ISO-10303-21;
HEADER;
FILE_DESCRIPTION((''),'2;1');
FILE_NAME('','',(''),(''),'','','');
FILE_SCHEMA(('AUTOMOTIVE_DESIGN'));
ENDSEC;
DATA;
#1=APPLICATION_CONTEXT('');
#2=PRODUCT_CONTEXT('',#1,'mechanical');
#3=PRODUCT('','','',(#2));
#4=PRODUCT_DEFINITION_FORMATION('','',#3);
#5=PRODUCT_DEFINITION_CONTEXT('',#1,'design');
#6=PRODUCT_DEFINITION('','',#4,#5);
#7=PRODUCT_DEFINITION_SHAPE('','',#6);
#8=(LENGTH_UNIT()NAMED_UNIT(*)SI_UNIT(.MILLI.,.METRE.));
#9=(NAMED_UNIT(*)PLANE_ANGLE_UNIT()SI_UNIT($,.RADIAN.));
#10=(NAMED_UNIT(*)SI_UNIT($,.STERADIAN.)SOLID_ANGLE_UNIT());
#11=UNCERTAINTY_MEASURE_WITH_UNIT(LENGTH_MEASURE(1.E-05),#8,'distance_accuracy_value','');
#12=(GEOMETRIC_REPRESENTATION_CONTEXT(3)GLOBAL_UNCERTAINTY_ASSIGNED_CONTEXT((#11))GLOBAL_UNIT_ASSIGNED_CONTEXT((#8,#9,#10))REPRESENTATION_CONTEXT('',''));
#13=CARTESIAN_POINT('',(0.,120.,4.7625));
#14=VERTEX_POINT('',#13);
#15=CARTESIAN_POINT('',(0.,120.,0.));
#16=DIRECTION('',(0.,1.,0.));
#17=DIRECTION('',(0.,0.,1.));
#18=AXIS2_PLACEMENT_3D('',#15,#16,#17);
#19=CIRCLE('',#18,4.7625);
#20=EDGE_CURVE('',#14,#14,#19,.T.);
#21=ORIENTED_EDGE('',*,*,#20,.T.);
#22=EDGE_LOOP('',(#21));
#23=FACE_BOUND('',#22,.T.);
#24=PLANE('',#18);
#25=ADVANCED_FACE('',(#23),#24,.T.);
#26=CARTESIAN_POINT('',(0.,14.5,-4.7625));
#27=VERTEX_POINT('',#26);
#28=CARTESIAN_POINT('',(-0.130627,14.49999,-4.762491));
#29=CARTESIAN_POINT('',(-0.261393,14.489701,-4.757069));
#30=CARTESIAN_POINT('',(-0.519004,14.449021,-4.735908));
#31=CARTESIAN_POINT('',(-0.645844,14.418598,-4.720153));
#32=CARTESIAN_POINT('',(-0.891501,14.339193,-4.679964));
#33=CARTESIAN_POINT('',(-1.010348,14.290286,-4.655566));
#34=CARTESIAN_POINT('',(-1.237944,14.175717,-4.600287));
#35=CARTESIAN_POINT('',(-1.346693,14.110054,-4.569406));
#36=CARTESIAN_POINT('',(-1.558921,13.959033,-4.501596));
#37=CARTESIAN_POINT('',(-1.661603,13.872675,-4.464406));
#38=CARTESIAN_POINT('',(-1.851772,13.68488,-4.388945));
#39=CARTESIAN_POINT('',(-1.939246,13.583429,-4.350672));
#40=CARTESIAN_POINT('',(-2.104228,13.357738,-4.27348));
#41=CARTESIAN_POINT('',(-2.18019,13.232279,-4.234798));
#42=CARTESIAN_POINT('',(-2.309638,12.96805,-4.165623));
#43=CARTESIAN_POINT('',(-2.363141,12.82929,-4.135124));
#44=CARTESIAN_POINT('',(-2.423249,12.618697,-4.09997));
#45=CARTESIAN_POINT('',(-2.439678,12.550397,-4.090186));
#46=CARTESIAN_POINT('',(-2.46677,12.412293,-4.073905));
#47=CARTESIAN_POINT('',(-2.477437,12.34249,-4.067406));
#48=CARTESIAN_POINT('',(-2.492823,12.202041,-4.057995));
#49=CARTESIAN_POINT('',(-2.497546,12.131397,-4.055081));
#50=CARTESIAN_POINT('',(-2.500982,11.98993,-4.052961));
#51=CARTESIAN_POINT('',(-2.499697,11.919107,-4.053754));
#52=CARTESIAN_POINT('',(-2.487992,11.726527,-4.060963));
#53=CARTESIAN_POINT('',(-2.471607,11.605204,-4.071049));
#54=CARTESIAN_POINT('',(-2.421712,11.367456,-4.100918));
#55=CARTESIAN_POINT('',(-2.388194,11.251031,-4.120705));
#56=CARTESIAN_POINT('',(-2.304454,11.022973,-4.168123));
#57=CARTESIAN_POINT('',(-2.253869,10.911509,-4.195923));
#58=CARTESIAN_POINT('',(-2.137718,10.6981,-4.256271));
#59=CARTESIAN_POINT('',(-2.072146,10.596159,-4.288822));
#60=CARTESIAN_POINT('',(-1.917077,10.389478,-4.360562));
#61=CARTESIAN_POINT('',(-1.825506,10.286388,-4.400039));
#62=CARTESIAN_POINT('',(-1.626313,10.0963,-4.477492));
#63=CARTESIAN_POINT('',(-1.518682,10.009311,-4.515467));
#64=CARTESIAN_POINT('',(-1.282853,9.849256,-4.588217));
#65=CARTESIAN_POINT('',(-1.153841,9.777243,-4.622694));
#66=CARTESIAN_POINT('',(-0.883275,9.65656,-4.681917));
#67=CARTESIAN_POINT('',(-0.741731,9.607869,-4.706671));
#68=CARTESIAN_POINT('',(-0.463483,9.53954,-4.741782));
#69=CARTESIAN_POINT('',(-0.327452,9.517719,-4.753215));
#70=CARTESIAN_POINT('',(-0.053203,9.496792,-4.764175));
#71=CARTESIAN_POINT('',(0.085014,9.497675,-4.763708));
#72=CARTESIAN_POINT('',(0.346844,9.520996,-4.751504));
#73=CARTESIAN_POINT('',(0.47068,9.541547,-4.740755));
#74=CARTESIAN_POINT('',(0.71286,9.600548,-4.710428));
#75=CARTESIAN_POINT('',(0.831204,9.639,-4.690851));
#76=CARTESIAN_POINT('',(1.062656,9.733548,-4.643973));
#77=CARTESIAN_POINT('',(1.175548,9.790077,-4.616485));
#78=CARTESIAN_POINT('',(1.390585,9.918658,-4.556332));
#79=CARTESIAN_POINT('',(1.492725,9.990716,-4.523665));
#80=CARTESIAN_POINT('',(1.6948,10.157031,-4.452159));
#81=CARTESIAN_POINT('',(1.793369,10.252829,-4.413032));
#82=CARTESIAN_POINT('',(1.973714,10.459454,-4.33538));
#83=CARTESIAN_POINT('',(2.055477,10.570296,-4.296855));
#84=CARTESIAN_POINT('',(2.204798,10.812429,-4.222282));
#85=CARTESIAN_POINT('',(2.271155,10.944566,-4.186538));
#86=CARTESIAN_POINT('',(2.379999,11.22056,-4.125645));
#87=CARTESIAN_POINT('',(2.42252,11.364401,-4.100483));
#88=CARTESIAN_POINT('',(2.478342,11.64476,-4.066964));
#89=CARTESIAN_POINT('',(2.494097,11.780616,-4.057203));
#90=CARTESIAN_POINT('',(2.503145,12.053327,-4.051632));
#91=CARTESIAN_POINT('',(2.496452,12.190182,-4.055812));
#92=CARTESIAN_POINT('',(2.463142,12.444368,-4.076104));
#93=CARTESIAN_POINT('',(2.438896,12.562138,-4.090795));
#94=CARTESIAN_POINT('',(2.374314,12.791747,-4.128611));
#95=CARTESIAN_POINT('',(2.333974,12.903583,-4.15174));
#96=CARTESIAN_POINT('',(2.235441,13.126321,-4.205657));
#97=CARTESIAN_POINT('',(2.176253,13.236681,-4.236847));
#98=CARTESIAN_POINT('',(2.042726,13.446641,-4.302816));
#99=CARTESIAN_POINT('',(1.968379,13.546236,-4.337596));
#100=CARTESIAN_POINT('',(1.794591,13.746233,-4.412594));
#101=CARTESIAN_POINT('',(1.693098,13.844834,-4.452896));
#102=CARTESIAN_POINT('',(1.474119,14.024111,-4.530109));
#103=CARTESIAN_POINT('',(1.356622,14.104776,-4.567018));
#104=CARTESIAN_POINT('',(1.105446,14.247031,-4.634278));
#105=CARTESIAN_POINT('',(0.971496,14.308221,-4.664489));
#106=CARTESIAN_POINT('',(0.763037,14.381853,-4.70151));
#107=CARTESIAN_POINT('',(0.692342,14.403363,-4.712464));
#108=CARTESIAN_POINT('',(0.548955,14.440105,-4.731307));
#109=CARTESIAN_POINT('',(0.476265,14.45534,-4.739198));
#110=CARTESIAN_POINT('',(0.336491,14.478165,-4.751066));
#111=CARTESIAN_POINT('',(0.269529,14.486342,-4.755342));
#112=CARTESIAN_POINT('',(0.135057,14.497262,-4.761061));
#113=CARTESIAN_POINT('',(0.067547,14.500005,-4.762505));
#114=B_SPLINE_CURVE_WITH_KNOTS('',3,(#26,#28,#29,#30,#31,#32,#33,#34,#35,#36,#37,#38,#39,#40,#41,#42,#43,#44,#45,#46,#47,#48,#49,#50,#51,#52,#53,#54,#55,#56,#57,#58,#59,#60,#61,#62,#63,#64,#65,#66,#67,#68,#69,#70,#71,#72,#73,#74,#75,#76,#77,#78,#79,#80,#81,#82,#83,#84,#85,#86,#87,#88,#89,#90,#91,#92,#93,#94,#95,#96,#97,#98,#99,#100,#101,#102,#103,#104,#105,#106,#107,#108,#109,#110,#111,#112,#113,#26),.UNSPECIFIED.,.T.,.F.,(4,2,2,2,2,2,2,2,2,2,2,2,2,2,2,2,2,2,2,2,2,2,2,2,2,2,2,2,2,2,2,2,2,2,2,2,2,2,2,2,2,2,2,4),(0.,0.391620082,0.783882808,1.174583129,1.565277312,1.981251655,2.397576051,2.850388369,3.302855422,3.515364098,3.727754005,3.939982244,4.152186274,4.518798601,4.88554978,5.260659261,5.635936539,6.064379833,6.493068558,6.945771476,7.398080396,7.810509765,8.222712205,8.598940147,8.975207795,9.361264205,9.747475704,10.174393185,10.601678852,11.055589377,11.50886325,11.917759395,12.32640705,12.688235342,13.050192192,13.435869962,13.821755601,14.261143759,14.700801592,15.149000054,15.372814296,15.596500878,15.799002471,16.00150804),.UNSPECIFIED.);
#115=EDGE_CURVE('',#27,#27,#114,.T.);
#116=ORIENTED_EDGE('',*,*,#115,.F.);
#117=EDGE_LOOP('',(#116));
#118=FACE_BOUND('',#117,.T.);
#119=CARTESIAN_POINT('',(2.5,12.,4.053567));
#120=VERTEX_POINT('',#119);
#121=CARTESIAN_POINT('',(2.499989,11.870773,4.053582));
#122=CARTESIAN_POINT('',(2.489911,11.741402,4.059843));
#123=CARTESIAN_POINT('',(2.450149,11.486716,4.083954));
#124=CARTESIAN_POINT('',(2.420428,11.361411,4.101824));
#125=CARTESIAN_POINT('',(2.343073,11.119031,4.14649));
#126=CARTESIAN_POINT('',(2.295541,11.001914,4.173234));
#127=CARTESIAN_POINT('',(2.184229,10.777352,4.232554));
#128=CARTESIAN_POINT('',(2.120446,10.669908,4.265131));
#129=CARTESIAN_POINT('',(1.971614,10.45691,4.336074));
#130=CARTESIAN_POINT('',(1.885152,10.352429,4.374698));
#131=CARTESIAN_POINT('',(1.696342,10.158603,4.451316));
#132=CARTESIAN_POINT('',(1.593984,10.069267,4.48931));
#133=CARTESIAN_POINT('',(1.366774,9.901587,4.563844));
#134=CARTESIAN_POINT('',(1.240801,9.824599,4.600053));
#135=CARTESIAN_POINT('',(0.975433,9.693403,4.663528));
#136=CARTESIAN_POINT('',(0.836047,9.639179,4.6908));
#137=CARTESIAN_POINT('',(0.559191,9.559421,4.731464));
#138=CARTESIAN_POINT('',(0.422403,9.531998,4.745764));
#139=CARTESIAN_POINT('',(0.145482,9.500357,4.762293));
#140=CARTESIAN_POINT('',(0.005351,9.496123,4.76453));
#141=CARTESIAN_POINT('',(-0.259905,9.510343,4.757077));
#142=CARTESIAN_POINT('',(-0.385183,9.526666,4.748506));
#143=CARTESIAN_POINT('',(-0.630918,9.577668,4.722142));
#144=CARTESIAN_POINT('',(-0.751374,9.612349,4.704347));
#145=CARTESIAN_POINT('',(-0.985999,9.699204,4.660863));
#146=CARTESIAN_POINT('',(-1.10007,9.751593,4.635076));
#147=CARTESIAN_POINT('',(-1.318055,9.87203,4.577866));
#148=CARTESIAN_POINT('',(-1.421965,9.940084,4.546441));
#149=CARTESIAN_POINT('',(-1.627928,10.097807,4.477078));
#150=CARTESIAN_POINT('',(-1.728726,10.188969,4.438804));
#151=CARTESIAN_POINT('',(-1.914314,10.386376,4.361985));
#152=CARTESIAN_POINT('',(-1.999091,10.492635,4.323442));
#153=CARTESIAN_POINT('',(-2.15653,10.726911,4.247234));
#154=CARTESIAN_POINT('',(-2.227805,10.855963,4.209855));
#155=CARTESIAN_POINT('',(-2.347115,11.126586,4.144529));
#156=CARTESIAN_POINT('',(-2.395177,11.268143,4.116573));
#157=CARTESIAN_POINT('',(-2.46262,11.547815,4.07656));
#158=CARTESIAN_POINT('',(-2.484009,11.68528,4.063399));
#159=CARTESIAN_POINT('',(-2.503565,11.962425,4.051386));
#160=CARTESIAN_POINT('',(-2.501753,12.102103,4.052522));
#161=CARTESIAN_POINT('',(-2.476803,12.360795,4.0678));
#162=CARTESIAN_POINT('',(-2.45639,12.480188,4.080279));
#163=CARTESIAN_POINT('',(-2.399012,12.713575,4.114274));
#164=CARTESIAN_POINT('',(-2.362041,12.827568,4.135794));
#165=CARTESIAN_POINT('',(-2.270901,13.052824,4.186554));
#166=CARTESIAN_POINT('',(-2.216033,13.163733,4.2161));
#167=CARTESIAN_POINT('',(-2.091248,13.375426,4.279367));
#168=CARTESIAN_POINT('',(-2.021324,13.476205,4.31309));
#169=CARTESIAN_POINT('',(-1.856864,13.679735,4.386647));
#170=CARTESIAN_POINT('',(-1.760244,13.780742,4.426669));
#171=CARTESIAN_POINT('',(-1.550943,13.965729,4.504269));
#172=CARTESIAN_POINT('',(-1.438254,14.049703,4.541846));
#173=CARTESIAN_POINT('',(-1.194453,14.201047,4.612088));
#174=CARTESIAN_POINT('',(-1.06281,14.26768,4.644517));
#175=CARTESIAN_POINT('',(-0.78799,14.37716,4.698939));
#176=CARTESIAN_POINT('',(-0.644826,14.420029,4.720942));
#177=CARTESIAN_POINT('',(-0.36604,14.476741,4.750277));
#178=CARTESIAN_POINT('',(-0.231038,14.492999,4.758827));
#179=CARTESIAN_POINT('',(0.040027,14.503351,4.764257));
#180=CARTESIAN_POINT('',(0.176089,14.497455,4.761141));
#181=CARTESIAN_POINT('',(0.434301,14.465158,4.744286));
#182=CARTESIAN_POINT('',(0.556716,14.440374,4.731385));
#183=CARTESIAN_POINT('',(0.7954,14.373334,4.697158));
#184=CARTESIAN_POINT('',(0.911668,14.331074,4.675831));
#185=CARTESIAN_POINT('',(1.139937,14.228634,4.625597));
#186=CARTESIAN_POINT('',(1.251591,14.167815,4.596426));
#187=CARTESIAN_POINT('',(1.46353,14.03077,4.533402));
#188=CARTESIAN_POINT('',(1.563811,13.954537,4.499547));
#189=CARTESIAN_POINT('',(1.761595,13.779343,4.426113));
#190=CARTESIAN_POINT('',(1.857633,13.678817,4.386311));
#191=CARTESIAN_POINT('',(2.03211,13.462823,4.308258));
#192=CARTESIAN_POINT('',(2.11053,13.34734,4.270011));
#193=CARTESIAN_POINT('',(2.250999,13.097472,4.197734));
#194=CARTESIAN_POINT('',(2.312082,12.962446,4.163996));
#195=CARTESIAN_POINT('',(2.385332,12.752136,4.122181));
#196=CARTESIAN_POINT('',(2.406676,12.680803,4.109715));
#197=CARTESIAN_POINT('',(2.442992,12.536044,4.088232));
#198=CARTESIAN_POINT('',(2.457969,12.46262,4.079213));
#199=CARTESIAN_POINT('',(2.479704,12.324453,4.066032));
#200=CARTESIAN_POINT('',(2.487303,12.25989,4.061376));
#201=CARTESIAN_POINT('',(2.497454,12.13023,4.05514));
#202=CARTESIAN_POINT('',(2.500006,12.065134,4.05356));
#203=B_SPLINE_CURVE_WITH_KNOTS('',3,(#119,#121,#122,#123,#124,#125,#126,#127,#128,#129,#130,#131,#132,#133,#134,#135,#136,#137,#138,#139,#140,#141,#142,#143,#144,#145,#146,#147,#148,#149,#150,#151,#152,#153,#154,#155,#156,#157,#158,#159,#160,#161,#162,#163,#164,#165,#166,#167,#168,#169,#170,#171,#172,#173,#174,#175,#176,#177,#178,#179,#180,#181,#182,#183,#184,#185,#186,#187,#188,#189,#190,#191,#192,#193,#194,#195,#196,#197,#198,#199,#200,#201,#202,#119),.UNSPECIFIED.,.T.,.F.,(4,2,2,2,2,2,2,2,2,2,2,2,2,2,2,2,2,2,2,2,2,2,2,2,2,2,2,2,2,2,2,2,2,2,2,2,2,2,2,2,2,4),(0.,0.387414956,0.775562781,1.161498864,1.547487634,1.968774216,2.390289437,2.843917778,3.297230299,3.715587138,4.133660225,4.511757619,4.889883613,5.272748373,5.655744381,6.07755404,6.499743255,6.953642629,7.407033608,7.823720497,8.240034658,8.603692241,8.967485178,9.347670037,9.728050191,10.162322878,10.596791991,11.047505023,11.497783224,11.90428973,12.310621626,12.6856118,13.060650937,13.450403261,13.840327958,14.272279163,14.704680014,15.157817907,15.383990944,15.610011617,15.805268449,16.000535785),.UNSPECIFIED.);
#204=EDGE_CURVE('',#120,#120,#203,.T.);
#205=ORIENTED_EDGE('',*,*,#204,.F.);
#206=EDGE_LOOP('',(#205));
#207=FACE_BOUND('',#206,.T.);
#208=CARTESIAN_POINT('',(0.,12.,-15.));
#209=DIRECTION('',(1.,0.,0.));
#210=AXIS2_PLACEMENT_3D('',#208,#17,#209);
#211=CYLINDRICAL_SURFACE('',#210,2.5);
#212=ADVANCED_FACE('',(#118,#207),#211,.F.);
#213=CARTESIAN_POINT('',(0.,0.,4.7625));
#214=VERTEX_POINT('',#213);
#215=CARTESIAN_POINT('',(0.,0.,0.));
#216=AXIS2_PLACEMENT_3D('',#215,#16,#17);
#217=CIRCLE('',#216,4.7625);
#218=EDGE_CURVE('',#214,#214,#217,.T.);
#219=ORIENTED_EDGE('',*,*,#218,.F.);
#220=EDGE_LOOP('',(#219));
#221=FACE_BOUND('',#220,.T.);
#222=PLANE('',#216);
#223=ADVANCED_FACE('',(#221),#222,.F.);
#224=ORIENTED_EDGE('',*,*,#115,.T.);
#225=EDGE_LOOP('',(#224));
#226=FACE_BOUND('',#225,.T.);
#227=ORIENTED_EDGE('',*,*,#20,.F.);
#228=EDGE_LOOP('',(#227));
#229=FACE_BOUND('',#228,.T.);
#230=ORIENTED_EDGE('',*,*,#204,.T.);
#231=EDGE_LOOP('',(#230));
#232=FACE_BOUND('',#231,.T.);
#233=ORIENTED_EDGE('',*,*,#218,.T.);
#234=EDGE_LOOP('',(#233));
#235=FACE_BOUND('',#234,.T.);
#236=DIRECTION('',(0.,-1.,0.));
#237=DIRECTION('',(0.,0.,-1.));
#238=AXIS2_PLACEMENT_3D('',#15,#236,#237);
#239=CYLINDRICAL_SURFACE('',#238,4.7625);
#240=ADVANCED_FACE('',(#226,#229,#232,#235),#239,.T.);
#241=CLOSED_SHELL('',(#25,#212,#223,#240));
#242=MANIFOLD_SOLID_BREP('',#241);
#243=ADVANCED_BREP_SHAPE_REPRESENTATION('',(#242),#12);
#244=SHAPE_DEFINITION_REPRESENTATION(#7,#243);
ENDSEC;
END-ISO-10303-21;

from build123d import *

# Parameters (mm, degrees)
SKETCH1_R           = 4.7625
BOSS_EXTRUDE1_DEPTH = 120
SKETCH2_R           = 2.5
CUT_EXTRUDE1_DEPTH  = 15


with BuildPart() as part:
    # Sketch1 → Boss-Extrude1 (new body)
    with BuildSketch(Plane(origin=(0, 0, 0), x_dir=(1, 0, 0), z_dir=(0, 1, 0))):
        Circle(SKETCH1_R)
    extrude(amount=BOSS_EXTRUDE1_DEPTH)

    # Sketch2 → Cut-Extrude1 (cut, symmetric)
    with BuildSketch(Plane.XY):
        with Locations((0, 12)):
            Circle(SKETCH2_R)
    extrude(amount=CUT_EXTRUDE1_DEPTH, both=True, mode=Mode.SUBTRACT)


solid = part.part
